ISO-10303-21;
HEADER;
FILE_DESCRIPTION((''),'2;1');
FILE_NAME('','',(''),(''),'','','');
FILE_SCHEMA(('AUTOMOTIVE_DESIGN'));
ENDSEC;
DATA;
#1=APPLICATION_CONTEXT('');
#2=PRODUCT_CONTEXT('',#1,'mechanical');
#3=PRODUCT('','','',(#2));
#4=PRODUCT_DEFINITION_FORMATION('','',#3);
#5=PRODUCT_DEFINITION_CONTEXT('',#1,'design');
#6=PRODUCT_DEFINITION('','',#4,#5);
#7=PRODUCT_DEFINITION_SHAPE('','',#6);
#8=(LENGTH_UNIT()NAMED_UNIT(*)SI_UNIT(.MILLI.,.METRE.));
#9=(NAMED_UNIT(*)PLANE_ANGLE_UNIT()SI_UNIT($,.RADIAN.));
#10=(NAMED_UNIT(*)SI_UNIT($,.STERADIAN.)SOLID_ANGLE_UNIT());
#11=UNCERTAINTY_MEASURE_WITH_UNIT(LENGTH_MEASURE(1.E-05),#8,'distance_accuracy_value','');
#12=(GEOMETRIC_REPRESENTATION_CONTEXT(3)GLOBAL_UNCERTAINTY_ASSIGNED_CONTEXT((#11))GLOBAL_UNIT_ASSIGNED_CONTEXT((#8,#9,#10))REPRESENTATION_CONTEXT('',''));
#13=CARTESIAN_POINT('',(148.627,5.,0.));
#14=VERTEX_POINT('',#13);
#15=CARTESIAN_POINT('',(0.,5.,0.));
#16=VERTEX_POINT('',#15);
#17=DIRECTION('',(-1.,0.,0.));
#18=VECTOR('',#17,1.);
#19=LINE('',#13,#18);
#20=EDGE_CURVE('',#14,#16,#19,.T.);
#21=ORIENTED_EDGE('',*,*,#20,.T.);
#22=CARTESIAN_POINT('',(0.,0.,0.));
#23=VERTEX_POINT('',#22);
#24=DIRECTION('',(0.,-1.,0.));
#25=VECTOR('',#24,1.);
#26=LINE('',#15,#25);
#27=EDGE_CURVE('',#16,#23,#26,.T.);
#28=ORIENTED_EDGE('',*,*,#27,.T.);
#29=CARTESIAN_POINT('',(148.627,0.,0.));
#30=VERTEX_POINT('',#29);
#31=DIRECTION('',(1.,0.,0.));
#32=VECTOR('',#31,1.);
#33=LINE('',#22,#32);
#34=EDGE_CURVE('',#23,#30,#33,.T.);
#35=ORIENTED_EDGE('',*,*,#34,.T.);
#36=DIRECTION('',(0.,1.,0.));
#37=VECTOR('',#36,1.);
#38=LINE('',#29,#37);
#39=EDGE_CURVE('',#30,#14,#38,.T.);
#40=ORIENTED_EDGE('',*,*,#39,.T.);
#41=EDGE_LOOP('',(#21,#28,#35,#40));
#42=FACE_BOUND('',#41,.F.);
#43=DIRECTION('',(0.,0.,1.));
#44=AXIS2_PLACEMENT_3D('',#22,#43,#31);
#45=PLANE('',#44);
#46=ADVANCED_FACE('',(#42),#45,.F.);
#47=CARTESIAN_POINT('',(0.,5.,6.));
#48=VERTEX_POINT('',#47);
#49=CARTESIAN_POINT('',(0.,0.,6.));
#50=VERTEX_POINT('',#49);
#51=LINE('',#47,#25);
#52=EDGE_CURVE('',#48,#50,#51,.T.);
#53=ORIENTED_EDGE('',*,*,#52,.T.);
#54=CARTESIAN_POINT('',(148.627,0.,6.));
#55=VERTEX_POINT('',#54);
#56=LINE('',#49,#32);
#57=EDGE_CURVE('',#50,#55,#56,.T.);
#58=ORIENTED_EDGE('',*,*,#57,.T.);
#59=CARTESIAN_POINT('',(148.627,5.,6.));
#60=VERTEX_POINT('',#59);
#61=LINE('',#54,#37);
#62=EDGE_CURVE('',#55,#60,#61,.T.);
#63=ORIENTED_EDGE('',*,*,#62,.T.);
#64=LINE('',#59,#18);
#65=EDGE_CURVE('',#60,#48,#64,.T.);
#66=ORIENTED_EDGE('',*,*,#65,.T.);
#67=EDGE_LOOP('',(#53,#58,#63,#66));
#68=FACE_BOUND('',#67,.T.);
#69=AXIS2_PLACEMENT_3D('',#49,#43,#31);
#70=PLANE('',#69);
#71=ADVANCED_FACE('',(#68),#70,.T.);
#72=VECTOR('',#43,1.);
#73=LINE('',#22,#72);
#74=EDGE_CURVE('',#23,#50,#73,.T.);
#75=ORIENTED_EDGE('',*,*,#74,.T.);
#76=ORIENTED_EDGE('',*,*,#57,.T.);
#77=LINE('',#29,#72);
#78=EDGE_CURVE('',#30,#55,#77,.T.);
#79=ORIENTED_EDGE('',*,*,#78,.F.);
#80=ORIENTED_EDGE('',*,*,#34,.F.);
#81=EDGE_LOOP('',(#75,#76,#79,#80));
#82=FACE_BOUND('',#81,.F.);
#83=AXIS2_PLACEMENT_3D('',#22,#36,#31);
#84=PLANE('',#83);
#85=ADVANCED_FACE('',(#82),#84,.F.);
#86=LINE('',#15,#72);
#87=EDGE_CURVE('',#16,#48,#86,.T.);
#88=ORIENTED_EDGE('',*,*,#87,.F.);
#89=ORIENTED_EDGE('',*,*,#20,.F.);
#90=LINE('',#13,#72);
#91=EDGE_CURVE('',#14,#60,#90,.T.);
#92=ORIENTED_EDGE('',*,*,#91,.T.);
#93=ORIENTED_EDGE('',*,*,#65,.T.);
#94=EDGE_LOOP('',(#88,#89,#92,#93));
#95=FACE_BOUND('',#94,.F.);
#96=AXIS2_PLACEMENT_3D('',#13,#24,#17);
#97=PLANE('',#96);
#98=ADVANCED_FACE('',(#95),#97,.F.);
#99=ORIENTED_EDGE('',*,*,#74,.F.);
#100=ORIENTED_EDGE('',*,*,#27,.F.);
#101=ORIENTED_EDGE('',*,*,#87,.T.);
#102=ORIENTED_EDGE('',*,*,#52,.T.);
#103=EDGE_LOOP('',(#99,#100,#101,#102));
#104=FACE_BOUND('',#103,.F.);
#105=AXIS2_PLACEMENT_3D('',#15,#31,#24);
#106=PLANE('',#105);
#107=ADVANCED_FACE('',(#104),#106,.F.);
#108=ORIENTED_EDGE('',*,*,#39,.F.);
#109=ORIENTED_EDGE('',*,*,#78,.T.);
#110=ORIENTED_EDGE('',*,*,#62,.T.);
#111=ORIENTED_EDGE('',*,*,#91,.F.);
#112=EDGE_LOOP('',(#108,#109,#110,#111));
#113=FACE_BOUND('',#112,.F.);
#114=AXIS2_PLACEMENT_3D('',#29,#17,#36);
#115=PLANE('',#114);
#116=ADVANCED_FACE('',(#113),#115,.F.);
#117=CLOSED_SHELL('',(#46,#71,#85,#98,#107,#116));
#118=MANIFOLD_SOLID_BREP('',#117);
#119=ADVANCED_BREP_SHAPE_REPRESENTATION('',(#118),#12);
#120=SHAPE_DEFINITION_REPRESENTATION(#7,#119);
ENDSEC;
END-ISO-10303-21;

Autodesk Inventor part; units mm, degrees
ref_plane "YZ Plane" through (0, 0, 0) normal (1, 0, 0) x (0, 1, 0)
ref_plane "XZ Plane" through (0, 0, 0) normal (0, 1, 0) x (-1, 0, 0)
ref_plane "XY Plane" through (0, 0, 0) normal (0, 0, 1) x (1, 0, 0)
sketch "Sketch1" plane through (0, 0, 0) normal (0, 0, 1) x (1, 0, 0)
  line L0 (0, 0) -> (148.627, 0)
  line L1 (148.627, 0) -> (148.627, 5)
  line L2 (148.627, 5) -> (0, 5)
  line L3 (0, 5) -> (0, 0)
  dimension "d0" = 148.627
  dimension "d1" = 5
extrude "Extrusion1" add sketch "Sketch1" along normal blind 6
properties part number "Riel cremallera p1"
